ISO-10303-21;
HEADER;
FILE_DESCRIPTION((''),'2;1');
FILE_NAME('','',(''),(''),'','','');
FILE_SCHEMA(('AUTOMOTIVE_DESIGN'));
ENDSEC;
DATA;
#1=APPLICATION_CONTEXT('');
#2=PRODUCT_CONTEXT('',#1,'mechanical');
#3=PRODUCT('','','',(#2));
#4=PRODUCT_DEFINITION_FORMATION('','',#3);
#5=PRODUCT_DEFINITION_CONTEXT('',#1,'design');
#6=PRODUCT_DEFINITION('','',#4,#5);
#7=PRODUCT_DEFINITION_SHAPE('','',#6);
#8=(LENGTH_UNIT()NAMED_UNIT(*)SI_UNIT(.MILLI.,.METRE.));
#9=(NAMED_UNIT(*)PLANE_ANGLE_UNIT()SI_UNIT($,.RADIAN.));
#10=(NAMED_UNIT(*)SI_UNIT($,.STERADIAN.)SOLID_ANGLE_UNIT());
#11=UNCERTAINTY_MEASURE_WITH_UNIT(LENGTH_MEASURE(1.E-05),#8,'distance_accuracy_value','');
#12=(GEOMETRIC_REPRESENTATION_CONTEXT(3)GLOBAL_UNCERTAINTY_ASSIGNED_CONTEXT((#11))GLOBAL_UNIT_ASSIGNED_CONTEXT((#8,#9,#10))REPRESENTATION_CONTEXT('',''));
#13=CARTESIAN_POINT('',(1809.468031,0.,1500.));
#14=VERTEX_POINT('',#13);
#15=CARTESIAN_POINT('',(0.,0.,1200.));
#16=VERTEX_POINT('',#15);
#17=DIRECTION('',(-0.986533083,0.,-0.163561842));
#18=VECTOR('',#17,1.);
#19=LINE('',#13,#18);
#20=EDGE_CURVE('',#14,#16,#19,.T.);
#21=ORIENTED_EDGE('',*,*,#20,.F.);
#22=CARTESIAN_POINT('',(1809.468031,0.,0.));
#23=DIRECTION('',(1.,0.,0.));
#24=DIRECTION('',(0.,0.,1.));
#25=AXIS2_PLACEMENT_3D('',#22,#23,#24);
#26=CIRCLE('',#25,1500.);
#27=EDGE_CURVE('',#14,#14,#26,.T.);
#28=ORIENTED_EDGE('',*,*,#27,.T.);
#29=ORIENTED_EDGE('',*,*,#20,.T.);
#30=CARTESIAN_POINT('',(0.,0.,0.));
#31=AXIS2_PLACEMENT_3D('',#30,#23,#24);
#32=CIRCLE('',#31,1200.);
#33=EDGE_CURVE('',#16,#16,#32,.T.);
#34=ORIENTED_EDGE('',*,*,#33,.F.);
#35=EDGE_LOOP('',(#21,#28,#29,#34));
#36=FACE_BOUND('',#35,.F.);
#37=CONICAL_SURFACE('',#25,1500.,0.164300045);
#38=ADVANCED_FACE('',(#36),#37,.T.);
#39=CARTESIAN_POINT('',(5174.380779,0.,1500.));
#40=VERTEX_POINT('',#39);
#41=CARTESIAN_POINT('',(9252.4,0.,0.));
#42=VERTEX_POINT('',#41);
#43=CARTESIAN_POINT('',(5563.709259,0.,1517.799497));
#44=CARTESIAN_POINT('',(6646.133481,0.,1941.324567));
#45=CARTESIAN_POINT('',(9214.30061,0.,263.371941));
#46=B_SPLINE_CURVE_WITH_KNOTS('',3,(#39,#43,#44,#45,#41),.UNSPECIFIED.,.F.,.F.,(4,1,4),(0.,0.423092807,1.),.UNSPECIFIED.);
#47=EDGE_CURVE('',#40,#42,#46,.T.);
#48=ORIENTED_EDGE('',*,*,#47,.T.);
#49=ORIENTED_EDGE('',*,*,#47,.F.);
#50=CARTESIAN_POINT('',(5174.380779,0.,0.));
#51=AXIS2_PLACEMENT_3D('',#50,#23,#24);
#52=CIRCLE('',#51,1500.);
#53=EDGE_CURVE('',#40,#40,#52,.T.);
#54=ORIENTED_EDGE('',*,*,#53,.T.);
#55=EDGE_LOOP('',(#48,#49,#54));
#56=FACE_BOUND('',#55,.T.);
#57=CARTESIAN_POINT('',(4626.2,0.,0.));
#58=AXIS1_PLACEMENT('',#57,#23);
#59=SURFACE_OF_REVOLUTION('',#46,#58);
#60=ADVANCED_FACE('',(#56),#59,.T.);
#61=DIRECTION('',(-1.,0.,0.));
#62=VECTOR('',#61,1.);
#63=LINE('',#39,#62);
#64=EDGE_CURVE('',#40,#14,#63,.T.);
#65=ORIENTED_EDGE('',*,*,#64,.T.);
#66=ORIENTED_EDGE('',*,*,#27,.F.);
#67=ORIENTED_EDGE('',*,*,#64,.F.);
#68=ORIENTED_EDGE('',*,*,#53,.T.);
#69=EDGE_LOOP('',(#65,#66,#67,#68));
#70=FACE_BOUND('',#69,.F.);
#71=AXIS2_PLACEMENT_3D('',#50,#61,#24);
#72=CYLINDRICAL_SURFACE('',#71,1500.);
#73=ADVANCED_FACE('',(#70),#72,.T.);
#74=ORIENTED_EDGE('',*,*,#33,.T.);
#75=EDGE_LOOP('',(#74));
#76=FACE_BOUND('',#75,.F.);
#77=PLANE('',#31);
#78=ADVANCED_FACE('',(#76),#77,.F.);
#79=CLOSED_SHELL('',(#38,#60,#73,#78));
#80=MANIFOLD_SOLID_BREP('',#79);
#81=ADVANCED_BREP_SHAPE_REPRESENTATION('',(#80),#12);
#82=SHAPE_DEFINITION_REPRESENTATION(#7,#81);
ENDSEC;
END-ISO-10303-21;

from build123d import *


with BuildPart() as f1:
    # F0 (on Front) → F1 (revolve)
    with BuildSketch(Plane.XZ):
        with BuildLine():
            Line((0, 1200), (0, 0))
            Line((0, 0), (9252.4, 0))
            add(Edge.make_bspline(
                [(5174.3807792664, 1500), (5563.7092590332, 1517.7994966507), (6646.1334813255, 1941.3245665034), (9214.3006096285, 263.3719412994), (9252.4, 0)],
                knots=[0, 0, 0, 0, 0.4230928074, 1, 1, 1, 1], degree=3))
            Line((5174.3807792664, 1500), (1809.4680309296, 1500))
            Line((1809.4680309296, 1500), (0, 1200))
        make_face()
    revolve(axis=Axis((4626.2, 0, 0), (1, 0, 0)))


solid = f1.part
